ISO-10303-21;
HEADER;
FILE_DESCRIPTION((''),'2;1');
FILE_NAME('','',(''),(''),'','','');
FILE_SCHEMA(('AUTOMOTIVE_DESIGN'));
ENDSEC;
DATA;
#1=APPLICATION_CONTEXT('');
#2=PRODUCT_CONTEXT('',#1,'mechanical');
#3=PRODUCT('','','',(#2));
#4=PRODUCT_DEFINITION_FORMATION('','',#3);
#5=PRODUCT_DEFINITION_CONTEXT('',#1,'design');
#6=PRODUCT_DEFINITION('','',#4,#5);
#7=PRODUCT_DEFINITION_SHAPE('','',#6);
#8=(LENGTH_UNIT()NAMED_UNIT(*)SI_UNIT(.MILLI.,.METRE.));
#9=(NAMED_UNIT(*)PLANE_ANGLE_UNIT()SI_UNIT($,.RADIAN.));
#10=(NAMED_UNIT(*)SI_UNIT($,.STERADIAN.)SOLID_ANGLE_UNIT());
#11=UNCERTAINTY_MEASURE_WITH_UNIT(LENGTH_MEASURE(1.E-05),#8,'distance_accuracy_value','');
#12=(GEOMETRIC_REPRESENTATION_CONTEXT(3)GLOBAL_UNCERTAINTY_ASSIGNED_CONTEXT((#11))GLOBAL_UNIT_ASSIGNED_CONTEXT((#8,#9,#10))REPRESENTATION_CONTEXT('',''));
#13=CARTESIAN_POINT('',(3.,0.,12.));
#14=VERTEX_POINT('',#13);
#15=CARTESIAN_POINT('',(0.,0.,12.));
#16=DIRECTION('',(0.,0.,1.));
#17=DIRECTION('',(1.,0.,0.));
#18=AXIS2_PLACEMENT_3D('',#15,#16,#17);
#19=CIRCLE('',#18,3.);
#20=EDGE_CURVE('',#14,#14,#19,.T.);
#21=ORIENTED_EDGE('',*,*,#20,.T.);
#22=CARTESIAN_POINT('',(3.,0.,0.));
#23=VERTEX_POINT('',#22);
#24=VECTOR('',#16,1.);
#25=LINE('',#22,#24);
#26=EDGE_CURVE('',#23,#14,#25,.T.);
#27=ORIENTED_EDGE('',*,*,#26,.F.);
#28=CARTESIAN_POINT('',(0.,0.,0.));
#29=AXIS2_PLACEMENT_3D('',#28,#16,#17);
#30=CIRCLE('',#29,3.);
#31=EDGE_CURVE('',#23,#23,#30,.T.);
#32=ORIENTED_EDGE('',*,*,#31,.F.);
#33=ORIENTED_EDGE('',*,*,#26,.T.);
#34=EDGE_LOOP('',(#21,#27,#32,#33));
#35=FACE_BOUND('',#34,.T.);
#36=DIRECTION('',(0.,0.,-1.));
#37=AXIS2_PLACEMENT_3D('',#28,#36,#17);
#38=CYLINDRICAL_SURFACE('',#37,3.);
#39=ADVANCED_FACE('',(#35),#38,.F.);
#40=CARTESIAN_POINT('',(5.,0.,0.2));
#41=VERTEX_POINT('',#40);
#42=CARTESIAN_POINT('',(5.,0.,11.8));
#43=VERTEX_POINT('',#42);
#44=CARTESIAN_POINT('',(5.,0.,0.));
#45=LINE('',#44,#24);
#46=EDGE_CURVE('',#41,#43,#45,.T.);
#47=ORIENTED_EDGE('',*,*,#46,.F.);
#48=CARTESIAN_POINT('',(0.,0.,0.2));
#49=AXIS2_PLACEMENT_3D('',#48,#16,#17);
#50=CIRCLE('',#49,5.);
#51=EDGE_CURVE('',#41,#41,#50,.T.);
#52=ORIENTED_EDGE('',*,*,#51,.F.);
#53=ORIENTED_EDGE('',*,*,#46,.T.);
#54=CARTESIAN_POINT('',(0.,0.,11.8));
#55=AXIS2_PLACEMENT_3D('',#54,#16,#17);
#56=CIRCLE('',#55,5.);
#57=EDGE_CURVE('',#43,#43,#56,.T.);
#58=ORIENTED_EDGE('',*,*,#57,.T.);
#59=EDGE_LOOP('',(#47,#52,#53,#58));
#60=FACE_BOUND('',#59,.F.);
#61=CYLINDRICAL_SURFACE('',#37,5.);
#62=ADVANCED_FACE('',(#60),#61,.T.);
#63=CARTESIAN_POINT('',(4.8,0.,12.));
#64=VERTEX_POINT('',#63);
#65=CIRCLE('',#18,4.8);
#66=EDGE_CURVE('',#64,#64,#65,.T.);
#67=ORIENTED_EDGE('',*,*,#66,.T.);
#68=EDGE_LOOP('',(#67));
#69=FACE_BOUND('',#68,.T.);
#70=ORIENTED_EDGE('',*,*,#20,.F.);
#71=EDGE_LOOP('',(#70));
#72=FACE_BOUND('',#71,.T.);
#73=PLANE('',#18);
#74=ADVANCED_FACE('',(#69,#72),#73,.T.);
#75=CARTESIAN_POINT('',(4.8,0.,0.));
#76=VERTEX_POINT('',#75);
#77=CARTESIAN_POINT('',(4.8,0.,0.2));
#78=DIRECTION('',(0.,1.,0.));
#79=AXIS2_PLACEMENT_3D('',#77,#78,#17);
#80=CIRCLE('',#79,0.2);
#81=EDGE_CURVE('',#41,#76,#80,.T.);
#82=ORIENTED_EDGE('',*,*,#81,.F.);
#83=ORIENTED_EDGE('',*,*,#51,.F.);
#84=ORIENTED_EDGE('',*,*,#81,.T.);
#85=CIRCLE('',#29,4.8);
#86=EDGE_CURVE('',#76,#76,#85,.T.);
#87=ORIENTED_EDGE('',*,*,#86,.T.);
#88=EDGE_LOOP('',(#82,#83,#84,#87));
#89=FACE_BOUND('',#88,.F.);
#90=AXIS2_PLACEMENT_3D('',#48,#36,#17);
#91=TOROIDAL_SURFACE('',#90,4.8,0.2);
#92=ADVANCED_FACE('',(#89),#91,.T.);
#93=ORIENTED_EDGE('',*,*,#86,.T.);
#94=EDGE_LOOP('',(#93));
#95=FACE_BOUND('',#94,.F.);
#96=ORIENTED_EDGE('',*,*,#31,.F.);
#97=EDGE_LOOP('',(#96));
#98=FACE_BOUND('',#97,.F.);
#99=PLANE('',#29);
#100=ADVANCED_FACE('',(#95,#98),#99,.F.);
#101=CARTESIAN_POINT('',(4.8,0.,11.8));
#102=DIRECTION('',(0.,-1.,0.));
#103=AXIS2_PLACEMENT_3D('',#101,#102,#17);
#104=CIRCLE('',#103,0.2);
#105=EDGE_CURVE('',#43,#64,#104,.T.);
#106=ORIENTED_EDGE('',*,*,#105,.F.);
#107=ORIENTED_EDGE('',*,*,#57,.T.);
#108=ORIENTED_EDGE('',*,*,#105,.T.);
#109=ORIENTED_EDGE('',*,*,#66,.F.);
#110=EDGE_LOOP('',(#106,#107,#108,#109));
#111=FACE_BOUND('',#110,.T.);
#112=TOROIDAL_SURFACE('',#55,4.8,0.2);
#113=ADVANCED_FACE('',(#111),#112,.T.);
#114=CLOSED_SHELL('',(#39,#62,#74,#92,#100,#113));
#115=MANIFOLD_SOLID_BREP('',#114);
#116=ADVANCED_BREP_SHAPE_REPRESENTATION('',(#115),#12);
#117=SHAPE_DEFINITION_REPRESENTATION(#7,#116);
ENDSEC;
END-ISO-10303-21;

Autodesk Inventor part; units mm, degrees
ref_plane "YZ Plane" through (0, 0, 0) normal (1, 0, 0) x (0, 1, 0)
ref_plane "XZ Plane" through (0, 0, 0) normal (0, 1, 0) x (-1, 0, 0)
ref_plane "XY Plane" through (0, 0, 0) normal (0, 0, 1) x (1, 0, 0)
sketch "スケッチ1" plane through (0, 0, 0) normal (0, 0, 1) x (1, 0, 0)
  circle A0 centre (0, 0) radius 5
  circle A1 centre (0, 0) radius 3
  dimension "d0" = 10
  dimension "d1" = 6
extrude "押し出し1" add sketch "スケッチ1" along normal blind 12
fillet "フィレット1" radius 0.2 2 edges at (-5, 0, 12) (-5, 0, 0)
properties part number "スペーサー中空M6L12樹脂" material "アセタール樹脂、白"
